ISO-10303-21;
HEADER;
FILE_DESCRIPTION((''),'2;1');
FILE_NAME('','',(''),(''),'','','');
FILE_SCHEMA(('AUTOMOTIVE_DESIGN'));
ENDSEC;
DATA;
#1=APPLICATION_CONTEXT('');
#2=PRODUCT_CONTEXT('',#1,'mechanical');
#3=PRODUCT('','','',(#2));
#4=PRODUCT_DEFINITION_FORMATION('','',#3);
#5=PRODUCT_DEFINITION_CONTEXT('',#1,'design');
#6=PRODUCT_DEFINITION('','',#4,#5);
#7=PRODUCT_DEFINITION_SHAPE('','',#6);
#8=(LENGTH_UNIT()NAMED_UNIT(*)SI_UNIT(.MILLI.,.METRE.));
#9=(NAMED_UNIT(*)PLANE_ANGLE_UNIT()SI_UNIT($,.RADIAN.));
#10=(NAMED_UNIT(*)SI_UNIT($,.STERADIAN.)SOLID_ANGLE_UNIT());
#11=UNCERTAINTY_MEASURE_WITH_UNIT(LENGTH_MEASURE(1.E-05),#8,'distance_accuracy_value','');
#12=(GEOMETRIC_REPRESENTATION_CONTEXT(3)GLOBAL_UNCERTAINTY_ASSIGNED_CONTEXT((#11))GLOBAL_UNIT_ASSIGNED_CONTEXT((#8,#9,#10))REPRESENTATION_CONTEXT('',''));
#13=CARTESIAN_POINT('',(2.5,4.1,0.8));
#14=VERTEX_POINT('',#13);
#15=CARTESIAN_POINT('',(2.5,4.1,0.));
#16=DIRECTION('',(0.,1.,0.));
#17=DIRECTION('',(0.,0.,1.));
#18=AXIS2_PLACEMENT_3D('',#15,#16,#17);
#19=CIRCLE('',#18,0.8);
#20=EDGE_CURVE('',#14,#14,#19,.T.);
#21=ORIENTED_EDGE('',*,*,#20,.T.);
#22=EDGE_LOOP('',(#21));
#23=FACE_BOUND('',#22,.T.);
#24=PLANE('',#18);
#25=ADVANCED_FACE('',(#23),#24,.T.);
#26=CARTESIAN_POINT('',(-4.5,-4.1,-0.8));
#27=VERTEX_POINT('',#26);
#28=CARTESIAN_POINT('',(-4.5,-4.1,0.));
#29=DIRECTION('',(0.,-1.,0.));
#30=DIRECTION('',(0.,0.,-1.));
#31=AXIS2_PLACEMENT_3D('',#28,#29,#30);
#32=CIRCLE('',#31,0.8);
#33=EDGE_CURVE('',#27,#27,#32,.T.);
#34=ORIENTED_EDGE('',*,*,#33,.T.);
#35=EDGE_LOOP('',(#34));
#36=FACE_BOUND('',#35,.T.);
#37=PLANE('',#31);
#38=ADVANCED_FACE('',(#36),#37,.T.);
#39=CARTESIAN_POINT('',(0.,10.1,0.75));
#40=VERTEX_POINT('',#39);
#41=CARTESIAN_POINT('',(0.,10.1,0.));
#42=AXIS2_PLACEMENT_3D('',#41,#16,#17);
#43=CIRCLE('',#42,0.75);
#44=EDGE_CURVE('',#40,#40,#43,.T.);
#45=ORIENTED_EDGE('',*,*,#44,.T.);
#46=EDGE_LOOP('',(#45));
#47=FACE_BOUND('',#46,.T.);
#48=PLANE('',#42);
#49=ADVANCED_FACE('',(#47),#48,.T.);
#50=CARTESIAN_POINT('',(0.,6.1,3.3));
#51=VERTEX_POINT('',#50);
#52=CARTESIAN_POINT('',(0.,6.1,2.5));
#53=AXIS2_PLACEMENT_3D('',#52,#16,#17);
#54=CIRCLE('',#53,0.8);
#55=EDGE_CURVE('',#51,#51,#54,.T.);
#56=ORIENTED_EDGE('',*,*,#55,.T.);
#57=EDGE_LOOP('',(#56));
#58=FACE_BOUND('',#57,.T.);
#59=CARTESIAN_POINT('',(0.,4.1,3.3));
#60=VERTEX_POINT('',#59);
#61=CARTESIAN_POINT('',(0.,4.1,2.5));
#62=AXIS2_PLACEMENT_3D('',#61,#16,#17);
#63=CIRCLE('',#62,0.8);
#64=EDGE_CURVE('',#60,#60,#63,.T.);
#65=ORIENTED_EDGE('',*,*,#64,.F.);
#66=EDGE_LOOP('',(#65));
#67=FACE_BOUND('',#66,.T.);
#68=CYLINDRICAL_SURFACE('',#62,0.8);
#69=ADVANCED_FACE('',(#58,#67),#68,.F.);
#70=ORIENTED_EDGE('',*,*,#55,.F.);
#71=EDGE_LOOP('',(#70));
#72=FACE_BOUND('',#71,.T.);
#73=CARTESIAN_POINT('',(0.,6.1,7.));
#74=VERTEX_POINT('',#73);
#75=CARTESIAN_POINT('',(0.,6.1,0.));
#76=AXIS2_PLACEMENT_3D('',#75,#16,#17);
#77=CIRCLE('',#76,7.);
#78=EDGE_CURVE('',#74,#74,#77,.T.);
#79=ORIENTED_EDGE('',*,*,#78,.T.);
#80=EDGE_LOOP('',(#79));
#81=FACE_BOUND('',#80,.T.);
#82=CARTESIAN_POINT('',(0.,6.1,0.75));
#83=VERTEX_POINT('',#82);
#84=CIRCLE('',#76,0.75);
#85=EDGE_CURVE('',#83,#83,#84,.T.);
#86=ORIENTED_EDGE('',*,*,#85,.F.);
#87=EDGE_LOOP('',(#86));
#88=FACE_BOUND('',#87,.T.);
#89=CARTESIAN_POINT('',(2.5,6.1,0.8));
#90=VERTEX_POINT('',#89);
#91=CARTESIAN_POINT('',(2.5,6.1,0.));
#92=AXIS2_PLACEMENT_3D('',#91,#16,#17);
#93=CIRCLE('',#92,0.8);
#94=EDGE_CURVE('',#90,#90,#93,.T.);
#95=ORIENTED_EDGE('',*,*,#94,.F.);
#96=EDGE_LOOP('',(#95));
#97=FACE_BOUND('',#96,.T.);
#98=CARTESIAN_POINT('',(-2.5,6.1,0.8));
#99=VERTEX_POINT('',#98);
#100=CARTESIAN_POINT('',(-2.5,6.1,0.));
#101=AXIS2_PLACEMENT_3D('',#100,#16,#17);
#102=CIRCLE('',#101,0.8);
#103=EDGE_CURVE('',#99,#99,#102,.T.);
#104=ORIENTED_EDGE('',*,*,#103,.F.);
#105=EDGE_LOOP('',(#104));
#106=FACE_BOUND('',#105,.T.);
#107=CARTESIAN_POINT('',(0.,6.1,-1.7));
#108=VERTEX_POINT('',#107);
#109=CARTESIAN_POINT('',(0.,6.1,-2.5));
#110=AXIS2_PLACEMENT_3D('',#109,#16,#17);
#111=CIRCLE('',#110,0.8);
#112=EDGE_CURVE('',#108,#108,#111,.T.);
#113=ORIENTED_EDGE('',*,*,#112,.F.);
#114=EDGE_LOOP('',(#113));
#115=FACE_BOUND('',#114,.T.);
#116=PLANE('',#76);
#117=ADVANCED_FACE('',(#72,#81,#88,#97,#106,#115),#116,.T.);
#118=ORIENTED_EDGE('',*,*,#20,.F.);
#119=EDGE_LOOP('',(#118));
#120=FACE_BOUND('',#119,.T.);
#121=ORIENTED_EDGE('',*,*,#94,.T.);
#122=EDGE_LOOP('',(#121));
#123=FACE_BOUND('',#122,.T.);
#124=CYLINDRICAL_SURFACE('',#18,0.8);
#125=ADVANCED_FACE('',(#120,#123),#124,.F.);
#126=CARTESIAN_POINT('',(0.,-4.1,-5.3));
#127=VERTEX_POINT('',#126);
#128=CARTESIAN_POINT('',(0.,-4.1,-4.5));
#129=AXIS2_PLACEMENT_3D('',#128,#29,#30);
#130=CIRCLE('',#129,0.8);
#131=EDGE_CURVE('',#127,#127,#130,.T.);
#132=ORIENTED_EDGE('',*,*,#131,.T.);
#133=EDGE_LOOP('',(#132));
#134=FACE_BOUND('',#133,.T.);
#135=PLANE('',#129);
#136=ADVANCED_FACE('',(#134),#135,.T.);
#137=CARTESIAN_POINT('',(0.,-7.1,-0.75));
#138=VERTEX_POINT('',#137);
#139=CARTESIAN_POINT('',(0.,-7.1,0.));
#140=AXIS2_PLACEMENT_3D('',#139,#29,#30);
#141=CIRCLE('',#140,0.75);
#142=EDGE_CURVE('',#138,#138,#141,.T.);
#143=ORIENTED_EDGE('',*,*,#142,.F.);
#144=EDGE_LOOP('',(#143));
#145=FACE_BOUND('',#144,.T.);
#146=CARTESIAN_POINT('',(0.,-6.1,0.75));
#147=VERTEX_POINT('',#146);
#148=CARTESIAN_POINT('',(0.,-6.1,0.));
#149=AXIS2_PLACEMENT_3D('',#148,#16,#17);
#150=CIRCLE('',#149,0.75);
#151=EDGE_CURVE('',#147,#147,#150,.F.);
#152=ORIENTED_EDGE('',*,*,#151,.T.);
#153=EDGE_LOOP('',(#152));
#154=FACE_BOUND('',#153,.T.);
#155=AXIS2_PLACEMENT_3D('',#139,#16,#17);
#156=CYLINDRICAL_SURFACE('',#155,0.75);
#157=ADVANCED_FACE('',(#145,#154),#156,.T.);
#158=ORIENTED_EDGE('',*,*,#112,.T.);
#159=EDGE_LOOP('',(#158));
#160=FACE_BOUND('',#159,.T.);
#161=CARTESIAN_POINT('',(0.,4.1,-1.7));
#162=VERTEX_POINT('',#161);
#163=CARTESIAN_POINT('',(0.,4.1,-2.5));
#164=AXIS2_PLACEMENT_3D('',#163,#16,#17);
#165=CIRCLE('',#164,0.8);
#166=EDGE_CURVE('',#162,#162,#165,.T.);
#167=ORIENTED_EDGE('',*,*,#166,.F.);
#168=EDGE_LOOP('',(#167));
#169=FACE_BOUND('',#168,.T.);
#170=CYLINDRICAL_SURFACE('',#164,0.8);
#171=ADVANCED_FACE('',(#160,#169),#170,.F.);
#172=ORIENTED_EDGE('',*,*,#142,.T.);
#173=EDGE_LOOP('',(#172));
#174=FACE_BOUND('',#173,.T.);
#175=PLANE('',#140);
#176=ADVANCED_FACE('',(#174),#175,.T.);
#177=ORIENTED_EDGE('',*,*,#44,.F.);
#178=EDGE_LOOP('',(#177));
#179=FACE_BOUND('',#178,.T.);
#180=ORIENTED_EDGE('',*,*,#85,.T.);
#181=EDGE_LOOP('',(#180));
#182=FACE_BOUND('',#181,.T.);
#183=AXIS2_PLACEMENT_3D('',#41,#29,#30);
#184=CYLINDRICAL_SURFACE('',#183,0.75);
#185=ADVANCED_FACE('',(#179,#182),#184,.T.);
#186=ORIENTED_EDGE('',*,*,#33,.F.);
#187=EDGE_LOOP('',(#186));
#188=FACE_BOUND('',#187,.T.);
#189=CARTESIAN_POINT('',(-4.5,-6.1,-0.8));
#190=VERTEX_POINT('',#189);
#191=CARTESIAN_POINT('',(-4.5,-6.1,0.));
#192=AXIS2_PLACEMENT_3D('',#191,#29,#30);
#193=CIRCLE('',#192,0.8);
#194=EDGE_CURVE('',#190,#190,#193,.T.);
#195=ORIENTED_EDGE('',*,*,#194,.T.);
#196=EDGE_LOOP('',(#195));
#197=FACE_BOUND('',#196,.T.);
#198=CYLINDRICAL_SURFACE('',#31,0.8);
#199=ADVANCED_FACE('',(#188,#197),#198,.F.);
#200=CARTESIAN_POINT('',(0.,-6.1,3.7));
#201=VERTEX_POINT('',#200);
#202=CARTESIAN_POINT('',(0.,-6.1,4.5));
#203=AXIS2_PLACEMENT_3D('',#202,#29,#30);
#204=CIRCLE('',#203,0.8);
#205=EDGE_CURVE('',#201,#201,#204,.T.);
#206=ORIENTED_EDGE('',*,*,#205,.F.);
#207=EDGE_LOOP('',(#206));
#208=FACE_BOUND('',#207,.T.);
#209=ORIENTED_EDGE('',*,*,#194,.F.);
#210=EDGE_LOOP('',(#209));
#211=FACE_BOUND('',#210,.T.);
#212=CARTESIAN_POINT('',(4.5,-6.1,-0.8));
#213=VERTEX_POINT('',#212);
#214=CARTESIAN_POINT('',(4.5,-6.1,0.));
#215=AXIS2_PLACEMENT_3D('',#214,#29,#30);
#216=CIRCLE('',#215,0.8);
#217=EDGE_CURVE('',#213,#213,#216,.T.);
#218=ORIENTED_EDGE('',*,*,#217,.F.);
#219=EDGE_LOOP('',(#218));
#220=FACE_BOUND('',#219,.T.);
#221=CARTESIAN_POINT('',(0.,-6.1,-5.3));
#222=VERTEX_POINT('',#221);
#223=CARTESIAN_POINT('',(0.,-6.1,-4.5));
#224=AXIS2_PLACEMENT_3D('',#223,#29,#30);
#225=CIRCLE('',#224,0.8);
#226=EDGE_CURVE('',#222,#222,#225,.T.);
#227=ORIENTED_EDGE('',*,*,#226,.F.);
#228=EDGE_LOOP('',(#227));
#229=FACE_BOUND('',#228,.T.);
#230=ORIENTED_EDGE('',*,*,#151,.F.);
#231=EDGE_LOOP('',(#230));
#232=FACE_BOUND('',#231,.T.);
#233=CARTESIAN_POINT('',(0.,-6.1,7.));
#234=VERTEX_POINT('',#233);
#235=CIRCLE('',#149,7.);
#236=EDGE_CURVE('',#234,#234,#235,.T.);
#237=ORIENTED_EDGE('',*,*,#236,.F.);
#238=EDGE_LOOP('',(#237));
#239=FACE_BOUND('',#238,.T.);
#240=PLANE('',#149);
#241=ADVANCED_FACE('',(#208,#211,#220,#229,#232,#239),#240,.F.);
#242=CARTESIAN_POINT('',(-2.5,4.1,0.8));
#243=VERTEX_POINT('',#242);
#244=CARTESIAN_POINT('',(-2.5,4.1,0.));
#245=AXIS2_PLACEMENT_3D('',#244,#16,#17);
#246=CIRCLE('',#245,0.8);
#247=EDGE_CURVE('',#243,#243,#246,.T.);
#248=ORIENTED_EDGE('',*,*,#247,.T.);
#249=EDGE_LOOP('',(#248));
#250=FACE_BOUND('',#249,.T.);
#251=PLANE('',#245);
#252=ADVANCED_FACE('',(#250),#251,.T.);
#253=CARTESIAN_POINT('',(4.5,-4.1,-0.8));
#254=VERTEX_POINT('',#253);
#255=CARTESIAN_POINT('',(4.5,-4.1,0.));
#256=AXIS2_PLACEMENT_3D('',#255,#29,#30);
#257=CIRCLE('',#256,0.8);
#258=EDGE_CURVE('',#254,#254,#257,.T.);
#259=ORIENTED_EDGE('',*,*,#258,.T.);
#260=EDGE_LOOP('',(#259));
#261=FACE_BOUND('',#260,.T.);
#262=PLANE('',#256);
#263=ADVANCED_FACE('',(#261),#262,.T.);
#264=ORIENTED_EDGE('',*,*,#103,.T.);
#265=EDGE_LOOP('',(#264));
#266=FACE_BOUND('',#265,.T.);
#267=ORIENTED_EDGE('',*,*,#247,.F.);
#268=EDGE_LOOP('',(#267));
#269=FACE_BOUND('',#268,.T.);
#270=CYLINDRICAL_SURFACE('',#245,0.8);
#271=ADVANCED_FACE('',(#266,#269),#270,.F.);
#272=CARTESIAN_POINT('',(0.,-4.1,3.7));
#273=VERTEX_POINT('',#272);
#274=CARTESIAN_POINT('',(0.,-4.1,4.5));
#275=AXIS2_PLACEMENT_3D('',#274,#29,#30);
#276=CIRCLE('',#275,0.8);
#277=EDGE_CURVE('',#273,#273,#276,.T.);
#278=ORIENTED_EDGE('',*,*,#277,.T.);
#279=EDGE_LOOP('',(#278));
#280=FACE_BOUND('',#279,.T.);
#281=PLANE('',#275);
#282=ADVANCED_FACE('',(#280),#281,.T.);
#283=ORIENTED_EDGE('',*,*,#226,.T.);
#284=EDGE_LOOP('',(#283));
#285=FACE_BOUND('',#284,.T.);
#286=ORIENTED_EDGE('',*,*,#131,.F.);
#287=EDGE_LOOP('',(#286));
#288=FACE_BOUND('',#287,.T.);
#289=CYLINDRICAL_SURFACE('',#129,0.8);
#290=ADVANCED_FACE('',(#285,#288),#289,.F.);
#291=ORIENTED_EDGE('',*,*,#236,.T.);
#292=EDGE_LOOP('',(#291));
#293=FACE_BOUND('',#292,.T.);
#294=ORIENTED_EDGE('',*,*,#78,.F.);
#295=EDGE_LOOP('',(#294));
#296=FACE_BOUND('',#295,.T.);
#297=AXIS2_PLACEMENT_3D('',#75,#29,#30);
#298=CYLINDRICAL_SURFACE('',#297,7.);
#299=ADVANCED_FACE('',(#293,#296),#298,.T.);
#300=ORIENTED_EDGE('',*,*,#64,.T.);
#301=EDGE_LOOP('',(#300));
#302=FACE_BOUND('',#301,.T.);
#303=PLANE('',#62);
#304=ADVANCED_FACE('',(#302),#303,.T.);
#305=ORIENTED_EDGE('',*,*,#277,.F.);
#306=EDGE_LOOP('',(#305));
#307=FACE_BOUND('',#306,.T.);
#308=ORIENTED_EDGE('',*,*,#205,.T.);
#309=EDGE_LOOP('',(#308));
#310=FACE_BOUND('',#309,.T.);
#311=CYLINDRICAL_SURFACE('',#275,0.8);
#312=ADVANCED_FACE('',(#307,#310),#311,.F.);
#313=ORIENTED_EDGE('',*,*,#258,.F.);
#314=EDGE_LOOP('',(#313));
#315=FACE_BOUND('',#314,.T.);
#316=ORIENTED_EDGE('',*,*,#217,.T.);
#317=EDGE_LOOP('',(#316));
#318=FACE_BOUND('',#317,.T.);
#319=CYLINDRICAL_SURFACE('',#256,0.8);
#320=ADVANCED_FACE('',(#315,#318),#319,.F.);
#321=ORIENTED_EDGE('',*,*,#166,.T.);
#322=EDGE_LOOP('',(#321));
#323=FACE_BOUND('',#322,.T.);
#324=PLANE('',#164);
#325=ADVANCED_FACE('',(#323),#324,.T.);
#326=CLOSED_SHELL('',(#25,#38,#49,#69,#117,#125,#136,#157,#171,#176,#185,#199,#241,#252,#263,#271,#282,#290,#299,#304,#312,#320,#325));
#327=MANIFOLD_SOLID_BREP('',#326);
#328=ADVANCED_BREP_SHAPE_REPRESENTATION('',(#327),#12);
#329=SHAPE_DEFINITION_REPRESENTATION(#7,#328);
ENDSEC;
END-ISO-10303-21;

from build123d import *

# Parameters (mm, degrees)
SKETCH1_R           = 7
BOSS_EXTRUDE1_DEPTH = 6.1
SKETCH2_R           = 0.75
BOSS_EXTRUDE2_DEPTH = 1
BOSS_EXTRUDE3_START = 4
SKETCH3_R           = 0.75
BOSS_EXTRUDE3_DEPTH = 4
SKETCH4_R           = 0.8
CUT_EXTRUDE1_DEPTH  = 2
SKETCH5_R           = 0.8
CUT_EXTRUDE2_DEPTH  = 2


with BuildPart() as part:
    # Sketch1 → Boss-Extrude1 (new, symmetric)
    with BuildSketch(Plane(origin=(0, 0, 0), x_dir=(1, 0, 0), z_dir=(0, 1, 0))):
        with Locations(Location((0, 0, 0), (0, 0, 270))):
            Circle(SKETCH1_R)
    extrude(amount=BOSS_EXTRUDE1_DEPTH, both=True)

    # Sketch2 → Boss-Extrude2 (add)
    with BuildSketch(Plane.XZ.offset(6.1)):
        with Locations(Location((0, 0, 0), (0, 0, 90))):
            Circle(SKETCH2_R)
    extrude(amount=BOSS_EXTRUDE2_DEPTH)

    # Sketch3 → Boss-Extrude3 (add)
    with BuildSketch(Plane(origin=(0, 6.1, 0), x_dir=(1, 0, 0), z_dir=(0, 1, 0)).offset(BOSS_EXTRUDE3_START)):
        with Locations(Location((0, 0, 0), (0, 0, 270))):
            Circle(SKETCH3_R)
    extrude(amount=-BOSS_EXTRUDE3_DEPTH)

    # Sketch4 → Cut-Extrude1 (cut)
    with BuildSketch(Plane.XZ.offset(6.1)):
        with Locations(Location((0, 4.5, 0), (0, 0, 270))):
            Circle(SKETCH4_R)
        with Locations(Location((4.5, 0, 0), (0, 0, 270))):
            Circle(SKETCH4_R)
        with Locations(Location((0, -4.5, 0), (0, 0, 270))):
            Circle(SKETCH4_R)
        with Locations(Location((-4.5, 0, 0), (0, 0, 270))):
            Circle(SKETCH4_R)
    extrude(amount=-CUT_EXTRUDE1_DEPTH, mode=Mode.SUBTRACT)

    # Sketch5 → Cut-Extrude2 (cut)
    with BuildSketch(Plane(origin=(0, 6.1, 0), x_dir=(1, 0, 0), z_dir=(0, 1, 0))):
        with Locations(Location((2.5, 0, 0), (0, 0, 270))):
            Circle(SKETCH5_R)
        with Locations(Location((0, -2.5, 0), (0, 0, 270))):
            Circle(SKETCH5_R)
        with Locations(Location((-2.5, 0, 0), (0, 0, 270))):
            Circle(SKETCH5_R)
        with Locations(Location((0, 2.5, 0), (0, 0, 270))):
            Circle(SKETCH5_R)
    extrude(amount=-CUT_EXTRUDE2_DEPTH, mode=Mode.SUBTRACT)


solid = part.part
